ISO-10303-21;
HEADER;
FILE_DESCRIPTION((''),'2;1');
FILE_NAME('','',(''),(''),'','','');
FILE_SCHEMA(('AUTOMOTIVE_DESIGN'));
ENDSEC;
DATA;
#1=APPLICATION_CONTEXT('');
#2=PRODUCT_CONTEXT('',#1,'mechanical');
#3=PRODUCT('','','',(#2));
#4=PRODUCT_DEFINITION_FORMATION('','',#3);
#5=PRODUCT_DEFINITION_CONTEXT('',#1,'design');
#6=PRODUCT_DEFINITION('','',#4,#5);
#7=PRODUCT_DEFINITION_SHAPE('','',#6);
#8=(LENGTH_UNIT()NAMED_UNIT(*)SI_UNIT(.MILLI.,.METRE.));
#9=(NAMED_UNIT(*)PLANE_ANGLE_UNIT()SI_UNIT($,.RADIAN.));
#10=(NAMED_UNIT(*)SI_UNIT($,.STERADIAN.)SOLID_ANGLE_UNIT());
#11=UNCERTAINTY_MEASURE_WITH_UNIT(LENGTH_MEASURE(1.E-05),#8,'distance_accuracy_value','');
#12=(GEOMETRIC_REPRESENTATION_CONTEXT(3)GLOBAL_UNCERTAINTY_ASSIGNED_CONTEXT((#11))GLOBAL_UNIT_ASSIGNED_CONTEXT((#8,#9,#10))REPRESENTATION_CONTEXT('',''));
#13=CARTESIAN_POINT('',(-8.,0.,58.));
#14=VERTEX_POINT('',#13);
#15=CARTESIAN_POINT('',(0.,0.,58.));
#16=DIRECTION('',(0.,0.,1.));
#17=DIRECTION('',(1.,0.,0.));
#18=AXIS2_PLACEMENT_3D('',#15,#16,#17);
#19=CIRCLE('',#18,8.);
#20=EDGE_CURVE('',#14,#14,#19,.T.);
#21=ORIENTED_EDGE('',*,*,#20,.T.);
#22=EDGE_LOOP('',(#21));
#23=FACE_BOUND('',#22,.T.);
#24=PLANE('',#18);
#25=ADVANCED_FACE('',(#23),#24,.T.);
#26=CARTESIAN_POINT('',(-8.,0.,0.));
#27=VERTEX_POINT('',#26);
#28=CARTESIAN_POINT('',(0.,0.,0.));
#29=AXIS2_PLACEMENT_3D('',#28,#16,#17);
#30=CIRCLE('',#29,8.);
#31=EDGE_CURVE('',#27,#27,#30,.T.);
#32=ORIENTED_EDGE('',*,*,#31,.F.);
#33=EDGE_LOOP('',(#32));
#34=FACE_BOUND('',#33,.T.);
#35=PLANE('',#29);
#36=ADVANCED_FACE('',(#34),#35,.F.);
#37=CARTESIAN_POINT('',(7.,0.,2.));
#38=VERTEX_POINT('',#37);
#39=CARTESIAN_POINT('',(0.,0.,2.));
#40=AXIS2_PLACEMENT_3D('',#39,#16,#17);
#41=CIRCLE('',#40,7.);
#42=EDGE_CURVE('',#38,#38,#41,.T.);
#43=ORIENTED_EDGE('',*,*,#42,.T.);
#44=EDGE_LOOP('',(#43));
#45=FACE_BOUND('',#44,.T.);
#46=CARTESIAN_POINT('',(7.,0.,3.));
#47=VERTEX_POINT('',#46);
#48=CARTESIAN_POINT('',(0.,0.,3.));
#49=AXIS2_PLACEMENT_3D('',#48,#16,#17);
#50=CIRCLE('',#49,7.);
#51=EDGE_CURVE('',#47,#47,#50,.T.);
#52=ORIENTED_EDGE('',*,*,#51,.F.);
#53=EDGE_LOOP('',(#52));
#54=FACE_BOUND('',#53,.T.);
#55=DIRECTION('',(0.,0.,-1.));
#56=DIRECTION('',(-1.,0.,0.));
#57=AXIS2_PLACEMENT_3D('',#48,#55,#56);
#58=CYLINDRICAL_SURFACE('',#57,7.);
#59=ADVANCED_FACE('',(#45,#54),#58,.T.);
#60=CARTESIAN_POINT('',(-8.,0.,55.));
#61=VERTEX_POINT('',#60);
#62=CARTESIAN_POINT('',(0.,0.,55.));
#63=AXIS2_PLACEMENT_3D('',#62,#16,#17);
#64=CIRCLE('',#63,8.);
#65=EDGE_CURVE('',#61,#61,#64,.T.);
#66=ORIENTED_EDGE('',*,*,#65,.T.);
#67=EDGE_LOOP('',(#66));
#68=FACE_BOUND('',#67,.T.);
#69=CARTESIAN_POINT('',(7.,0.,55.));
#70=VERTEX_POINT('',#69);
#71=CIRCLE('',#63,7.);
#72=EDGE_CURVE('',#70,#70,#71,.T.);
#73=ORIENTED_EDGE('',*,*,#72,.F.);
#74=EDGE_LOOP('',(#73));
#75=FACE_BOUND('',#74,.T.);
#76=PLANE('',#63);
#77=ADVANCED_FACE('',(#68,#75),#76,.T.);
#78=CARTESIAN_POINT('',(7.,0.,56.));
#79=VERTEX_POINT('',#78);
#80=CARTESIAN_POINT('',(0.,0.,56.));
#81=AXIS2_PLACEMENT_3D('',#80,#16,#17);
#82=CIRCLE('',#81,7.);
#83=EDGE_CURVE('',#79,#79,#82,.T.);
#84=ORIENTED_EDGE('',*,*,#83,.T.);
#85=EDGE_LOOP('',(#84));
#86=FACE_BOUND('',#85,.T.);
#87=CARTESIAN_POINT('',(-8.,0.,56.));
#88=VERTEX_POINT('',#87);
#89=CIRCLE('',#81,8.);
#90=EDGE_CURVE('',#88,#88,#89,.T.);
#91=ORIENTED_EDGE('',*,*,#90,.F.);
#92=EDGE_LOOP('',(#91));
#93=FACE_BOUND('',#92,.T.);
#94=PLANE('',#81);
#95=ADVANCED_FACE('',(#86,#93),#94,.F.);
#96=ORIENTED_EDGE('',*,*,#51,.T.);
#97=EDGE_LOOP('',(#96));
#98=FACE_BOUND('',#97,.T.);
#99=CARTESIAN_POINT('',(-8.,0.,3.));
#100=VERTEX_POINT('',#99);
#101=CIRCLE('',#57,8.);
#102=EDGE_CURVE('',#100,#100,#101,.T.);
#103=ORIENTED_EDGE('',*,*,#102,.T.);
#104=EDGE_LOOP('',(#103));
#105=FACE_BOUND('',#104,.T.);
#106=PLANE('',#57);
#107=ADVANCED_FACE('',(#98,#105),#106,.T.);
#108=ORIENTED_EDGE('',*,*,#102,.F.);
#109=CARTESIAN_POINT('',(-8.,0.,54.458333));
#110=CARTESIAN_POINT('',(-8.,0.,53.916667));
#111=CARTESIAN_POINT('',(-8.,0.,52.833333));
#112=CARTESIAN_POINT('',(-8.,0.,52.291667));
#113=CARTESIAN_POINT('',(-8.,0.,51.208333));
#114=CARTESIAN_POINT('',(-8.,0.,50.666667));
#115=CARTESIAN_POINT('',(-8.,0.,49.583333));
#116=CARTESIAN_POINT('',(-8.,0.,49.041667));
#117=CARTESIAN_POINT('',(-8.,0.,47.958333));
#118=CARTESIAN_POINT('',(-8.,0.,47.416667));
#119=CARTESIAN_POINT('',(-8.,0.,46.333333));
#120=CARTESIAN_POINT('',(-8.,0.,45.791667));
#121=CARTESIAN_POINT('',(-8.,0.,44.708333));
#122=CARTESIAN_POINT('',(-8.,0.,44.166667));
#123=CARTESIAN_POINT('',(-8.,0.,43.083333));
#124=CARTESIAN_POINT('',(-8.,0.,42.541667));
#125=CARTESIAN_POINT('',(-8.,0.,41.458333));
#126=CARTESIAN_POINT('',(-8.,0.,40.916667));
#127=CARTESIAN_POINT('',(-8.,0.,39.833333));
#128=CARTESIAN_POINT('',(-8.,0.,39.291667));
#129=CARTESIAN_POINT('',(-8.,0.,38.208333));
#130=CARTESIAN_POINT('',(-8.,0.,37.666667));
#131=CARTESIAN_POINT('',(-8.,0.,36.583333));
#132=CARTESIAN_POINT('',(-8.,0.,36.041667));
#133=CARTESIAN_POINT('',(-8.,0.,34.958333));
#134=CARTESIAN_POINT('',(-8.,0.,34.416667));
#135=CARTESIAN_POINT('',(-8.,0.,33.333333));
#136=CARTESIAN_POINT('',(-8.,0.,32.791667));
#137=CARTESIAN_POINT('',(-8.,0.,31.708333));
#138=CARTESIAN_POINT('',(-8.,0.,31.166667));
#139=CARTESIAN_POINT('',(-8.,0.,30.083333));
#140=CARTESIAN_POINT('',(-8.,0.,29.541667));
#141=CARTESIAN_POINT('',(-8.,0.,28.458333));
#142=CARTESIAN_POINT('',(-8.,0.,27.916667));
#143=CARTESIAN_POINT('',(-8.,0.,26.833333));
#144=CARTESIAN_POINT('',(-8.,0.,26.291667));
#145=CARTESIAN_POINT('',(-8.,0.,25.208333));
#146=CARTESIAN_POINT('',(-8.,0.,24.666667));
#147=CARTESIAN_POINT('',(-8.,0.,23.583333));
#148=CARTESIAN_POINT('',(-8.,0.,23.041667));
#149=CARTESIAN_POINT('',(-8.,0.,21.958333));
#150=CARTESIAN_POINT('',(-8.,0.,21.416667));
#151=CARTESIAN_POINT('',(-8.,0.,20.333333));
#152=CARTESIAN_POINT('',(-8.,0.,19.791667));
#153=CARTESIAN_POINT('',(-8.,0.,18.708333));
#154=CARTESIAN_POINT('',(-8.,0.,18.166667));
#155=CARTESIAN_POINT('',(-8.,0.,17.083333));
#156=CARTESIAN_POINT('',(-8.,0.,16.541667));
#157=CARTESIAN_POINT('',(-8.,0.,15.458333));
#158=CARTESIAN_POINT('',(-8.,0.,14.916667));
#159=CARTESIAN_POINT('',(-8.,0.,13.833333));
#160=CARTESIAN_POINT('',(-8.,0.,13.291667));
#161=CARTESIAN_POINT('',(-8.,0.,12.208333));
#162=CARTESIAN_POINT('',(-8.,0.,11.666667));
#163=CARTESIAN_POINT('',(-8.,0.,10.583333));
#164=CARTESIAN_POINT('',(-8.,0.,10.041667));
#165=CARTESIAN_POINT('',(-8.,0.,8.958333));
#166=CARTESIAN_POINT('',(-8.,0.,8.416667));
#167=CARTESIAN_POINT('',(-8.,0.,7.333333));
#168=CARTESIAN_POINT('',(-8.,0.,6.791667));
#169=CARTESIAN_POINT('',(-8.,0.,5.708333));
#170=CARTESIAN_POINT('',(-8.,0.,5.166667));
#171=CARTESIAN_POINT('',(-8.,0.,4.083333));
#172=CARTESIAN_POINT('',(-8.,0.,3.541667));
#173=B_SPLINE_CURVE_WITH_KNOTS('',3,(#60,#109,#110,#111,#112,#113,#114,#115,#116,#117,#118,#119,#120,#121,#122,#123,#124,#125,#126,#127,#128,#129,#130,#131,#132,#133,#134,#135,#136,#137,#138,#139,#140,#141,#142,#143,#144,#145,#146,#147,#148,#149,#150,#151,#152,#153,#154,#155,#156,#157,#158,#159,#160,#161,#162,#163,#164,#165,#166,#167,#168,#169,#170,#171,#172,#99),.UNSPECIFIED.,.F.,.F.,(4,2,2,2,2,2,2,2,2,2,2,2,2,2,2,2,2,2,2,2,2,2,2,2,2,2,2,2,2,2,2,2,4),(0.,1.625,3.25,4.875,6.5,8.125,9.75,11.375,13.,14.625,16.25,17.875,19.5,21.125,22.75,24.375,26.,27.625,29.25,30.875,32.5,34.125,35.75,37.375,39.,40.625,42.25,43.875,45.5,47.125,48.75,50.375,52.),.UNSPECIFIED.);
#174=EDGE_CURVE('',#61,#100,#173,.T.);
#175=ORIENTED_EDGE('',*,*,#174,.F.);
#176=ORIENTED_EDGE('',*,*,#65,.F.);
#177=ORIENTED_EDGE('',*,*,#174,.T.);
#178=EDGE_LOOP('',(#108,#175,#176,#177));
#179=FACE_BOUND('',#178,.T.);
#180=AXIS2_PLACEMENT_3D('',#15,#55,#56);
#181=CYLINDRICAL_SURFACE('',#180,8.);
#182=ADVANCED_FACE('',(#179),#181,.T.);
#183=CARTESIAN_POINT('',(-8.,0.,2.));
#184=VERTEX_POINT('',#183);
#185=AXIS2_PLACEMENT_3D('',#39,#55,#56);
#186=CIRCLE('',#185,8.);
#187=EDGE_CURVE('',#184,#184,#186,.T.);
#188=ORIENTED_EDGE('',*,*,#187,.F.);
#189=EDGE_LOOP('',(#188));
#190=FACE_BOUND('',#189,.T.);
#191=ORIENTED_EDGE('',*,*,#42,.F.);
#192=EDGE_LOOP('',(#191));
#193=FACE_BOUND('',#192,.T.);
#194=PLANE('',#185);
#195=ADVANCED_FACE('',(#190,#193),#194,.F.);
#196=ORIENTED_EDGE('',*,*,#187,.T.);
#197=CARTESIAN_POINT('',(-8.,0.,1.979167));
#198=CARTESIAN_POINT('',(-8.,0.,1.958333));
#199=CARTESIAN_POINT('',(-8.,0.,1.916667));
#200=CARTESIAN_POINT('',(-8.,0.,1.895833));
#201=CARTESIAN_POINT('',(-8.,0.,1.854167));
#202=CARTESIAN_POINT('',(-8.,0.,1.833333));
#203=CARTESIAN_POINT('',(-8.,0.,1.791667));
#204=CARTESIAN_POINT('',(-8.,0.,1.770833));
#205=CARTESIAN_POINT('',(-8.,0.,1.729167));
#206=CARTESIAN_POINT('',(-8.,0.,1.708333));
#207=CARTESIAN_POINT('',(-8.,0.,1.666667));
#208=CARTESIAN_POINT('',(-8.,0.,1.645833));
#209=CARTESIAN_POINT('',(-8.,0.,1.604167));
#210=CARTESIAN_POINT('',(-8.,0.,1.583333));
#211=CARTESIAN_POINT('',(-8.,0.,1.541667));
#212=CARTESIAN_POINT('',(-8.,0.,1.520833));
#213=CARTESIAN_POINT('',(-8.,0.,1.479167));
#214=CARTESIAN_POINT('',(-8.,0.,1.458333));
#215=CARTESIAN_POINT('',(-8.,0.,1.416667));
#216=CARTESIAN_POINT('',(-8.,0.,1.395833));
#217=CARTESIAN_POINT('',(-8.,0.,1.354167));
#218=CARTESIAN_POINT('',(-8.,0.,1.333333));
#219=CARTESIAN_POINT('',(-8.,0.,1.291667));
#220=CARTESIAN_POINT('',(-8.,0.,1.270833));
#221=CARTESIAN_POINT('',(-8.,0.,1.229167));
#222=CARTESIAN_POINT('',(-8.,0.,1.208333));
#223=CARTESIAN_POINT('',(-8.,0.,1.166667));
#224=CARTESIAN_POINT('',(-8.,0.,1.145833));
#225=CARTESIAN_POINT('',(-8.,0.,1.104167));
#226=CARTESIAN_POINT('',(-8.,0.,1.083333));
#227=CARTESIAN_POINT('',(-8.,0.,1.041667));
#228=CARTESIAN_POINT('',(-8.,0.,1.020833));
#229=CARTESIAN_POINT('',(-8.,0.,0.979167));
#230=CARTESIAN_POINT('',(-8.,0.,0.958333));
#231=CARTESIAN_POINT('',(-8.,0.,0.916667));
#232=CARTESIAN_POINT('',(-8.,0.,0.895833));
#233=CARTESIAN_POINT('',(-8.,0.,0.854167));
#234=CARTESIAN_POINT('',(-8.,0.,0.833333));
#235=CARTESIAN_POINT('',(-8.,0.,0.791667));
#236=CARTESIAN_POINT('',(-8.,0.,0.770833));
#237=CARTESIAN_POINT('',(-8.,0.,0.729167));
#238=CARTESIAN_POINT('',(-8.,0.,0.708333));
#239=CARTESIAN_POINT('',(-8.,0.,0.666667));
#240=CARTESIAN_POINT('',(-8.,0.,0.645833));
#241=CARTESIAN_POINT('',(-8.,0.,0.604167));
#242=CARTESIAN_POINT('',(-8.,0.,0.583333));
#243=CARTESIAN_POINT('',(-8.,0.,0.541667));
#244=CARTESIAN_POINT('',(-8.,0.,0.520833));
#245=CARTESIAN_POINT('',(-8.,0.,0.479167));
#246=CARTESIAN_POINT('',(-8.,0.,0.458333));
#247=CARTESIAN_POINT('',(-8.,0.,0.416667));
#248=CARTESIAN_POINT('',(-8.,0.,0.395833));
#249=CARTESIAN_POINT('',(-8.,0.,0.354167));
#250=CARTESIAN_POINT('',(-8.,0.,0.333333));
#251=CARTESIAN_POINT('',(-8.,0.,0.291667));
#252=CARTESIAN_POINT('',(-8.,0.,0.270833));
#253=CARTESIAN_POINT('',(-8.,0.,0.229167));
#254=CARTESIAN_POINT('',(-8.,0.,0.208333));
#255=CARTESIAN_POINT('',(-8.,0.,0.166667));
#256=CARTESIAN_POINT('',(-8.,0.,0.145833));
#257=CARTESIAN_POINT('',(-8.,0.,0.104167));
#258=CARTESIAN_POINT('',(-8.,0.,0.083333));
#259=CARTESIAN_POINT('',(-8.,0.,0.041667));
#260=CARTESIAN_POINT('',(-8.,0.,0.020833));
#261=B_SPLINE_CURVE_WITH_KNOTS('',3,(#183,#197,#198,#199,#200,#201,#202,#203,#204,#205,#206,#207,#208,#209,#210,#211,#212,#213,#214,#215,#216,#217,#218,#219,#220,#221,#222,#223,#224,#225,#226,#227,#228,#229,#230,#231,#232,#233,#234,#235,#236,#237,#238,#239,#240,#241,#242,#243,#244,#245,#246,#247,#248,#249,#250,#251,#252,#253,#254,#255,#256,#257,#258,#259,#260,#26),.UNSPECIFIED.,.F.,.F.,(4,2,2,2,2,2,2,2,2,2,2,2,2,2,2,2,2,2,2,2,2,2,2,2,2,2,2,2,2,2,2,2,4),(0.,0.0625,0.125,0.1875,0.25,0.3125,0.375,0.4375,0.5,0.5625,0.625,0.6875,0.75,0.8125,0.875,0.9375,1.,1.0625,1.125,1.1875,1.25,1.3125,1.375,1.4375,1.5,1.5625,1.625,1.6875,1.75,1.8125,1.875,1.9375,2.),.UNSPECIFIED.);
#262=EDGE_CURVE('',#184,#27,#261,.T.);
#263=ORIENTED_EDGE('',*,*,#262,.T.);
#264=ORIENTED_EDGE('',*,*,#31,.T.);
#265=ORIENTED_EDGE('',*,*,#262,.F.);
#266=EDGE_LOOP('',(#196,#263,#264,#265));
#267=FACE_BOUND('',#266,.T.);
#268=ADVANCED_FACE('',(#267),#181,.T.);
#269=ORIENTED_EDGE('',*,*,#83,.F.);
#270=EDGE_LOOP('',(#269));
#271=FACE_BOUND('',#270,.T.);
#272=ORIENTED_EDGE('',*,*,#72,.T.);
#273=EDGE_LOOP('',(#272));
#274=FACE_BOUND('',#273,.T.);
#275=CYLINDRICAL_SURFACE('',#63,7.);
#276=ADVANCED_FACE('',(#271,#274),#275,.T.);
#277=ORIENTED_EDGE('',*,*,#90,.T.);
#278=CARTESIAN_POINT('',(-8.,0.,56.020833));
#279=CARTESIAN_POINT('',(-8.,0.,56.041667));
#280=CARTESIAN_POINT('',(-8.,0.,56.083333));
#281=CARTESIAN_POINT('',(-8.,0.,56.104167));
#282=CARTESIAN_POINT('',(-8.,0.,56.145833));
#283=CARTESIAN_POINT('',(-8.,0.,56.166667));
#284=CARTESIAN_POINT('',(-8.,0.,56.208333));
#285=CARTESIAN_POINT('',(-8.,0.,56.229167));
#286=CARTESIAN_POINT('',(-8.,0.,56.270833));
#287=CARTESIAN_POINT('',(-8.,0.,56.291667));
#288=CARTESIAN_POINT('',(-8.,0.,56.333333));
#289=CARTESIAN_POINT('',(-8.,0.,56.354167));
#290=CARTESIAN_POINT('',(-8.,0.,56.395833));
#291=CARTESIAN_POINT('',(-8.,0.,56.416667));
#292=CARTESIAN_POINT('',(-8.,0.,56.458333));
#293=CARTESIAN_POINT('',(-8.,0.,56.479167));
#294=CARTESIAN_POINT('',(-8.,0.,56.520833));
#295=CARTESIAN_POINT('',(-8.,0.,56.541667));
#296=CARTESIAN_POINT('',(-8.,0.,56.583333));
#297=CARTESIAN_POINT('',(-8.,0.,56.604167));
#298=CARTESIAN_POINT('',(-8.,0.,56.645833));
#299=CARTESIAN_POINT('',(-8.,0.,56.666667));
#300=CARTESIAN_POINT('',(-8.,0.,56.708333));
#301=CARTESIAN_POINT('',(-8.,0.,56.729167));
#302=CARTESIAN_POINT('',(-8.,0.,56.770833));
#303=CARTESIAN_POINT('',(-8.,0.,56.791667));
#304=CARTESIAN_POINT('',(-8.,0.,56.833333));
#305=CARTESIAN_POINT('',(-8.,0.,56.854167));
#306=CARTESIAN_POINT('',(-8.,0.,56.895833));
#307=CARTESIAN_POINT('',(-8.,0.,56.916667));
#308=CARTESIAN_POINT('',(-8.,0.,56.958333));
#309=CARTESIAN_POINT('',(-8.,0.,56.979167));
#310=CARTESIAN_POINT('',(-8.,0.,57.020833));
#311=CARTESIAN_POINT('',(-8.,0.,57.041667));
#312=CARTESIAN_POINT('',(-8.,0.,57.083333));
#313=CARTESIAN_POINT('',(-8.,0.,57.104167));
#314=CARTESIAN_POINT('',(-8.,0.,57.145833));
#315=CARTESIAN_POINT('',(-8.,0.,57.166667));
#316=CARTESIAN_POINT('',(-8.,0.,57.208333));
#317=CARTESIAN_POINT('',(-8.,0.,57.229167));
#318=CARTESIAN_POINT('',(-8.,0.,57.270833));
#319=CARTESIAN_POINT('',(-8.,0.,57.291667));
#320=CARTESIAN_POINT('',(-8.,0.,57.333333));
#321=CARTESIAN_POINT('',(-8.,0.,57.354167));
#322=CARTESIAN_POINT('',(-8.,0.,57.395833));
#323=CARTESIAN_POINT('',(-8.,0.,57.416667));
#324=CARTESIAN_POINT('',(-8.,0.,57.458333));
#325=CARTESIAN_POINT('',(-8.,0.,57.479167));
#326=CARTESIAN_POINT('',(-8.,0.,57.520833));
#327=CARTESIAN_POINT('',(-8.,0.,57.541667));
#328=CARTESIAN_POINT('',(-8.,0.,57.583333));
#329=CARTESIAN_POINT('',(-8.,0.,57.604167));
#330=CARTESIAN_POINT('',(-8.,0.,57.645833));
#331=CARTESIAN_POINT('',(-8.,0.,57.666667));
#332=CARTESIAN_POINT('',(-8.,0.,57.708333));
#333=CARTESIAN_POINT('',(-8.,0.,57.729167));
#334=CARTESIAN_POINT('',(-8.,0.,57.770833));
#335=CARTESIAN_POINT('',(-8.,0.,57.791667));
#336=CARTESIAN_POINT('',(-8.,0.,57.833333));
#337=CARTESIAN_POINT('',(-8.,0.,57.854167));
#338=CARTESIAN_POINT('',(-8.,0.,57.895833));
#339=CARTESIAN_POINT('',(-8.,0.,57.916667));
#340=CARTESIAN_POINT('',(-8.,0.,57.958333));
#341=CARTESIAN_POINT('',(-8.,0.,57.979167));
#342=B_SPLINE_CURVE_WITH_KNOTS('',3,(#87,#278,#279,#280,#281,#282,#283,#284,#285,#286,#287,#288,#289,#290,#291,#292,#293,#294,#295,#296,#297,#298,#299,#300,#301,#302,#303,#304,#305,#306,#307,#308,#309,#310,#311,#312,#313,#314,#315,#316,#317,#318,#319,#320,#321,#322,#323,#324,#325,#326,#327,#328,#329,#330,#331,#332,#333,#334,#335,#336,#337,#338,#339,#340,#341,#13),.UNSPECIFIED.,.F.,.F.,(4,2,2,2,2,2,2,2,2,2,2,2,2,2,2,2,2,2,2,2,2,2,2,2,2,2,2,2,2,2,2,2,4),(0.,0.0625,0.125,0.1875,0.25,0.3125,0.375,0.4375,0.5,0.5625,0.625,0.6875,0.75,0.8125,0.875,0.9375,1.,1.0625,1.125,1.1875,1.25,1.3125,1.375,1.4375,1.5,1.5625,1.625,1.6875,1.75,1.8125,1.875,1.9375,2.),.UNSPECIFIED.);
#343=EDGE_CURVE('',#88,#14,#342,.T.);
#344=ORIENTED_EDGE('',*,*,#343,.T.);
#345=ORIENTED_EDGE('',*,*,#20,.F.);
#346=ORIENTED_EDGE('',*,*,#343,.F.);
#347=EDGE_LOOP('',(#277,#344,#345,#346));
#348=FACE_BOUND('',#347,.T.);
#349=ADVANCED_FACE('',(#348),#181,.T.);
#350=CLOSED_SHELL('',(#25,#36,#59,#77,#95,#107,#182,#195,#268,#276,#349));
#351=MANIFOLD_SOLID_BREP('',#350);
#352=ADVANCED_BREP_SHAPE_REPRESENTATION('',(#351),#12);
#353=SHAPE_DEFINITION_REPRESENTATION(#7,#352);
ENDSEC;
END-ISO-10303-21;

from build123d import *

# Parameters (mm, degrees)
SKETCH1_R           = 8
BOSS_EXTRUDE1_DEPTH = 58
SKETCH2_OUTSIDE_W   = 30.452
SKETCH2_OUTSIDE_H   = 30.452
SKETCH2_OUTSIDE_R   = 7
CUT_EXTRUDE1_DEPTH  = 1


with BuildPart() as part:
    # Sketch1 → Boss-Extrude1 (new body)
    with BuildSketch(Plane.XY):
        with Locations(Location((0, 0, 0), (0, 0, 180))):
            Circle(SKETCH1_R)
    extrude(amount=BOSS_EXTRUDE1_DEPTH)

    # Sketch2 outside → Cut-Extrude1 (cut)
    with BuildSketch(Plane.XY.offset(56)):
        Rectangle(SKETCH2_OUTSIDE_W, SKETCH2_OUTSIDE_H)
        Circle(SKETCH2_OUTSIDE_R, mode=Mode.SUBTRACT)
    cut_extrude1 = extrude(amount=-CUT_EXTRUDE1_DEPTH, mode=Mode.SUBTRACT)

    # Mirror1: Cut-Extrude1 across plane
    add(cut_extrude1.mirror(Plane.XY.offset(29)), mode=Mode.SUBTRACT)


solid = part.part
